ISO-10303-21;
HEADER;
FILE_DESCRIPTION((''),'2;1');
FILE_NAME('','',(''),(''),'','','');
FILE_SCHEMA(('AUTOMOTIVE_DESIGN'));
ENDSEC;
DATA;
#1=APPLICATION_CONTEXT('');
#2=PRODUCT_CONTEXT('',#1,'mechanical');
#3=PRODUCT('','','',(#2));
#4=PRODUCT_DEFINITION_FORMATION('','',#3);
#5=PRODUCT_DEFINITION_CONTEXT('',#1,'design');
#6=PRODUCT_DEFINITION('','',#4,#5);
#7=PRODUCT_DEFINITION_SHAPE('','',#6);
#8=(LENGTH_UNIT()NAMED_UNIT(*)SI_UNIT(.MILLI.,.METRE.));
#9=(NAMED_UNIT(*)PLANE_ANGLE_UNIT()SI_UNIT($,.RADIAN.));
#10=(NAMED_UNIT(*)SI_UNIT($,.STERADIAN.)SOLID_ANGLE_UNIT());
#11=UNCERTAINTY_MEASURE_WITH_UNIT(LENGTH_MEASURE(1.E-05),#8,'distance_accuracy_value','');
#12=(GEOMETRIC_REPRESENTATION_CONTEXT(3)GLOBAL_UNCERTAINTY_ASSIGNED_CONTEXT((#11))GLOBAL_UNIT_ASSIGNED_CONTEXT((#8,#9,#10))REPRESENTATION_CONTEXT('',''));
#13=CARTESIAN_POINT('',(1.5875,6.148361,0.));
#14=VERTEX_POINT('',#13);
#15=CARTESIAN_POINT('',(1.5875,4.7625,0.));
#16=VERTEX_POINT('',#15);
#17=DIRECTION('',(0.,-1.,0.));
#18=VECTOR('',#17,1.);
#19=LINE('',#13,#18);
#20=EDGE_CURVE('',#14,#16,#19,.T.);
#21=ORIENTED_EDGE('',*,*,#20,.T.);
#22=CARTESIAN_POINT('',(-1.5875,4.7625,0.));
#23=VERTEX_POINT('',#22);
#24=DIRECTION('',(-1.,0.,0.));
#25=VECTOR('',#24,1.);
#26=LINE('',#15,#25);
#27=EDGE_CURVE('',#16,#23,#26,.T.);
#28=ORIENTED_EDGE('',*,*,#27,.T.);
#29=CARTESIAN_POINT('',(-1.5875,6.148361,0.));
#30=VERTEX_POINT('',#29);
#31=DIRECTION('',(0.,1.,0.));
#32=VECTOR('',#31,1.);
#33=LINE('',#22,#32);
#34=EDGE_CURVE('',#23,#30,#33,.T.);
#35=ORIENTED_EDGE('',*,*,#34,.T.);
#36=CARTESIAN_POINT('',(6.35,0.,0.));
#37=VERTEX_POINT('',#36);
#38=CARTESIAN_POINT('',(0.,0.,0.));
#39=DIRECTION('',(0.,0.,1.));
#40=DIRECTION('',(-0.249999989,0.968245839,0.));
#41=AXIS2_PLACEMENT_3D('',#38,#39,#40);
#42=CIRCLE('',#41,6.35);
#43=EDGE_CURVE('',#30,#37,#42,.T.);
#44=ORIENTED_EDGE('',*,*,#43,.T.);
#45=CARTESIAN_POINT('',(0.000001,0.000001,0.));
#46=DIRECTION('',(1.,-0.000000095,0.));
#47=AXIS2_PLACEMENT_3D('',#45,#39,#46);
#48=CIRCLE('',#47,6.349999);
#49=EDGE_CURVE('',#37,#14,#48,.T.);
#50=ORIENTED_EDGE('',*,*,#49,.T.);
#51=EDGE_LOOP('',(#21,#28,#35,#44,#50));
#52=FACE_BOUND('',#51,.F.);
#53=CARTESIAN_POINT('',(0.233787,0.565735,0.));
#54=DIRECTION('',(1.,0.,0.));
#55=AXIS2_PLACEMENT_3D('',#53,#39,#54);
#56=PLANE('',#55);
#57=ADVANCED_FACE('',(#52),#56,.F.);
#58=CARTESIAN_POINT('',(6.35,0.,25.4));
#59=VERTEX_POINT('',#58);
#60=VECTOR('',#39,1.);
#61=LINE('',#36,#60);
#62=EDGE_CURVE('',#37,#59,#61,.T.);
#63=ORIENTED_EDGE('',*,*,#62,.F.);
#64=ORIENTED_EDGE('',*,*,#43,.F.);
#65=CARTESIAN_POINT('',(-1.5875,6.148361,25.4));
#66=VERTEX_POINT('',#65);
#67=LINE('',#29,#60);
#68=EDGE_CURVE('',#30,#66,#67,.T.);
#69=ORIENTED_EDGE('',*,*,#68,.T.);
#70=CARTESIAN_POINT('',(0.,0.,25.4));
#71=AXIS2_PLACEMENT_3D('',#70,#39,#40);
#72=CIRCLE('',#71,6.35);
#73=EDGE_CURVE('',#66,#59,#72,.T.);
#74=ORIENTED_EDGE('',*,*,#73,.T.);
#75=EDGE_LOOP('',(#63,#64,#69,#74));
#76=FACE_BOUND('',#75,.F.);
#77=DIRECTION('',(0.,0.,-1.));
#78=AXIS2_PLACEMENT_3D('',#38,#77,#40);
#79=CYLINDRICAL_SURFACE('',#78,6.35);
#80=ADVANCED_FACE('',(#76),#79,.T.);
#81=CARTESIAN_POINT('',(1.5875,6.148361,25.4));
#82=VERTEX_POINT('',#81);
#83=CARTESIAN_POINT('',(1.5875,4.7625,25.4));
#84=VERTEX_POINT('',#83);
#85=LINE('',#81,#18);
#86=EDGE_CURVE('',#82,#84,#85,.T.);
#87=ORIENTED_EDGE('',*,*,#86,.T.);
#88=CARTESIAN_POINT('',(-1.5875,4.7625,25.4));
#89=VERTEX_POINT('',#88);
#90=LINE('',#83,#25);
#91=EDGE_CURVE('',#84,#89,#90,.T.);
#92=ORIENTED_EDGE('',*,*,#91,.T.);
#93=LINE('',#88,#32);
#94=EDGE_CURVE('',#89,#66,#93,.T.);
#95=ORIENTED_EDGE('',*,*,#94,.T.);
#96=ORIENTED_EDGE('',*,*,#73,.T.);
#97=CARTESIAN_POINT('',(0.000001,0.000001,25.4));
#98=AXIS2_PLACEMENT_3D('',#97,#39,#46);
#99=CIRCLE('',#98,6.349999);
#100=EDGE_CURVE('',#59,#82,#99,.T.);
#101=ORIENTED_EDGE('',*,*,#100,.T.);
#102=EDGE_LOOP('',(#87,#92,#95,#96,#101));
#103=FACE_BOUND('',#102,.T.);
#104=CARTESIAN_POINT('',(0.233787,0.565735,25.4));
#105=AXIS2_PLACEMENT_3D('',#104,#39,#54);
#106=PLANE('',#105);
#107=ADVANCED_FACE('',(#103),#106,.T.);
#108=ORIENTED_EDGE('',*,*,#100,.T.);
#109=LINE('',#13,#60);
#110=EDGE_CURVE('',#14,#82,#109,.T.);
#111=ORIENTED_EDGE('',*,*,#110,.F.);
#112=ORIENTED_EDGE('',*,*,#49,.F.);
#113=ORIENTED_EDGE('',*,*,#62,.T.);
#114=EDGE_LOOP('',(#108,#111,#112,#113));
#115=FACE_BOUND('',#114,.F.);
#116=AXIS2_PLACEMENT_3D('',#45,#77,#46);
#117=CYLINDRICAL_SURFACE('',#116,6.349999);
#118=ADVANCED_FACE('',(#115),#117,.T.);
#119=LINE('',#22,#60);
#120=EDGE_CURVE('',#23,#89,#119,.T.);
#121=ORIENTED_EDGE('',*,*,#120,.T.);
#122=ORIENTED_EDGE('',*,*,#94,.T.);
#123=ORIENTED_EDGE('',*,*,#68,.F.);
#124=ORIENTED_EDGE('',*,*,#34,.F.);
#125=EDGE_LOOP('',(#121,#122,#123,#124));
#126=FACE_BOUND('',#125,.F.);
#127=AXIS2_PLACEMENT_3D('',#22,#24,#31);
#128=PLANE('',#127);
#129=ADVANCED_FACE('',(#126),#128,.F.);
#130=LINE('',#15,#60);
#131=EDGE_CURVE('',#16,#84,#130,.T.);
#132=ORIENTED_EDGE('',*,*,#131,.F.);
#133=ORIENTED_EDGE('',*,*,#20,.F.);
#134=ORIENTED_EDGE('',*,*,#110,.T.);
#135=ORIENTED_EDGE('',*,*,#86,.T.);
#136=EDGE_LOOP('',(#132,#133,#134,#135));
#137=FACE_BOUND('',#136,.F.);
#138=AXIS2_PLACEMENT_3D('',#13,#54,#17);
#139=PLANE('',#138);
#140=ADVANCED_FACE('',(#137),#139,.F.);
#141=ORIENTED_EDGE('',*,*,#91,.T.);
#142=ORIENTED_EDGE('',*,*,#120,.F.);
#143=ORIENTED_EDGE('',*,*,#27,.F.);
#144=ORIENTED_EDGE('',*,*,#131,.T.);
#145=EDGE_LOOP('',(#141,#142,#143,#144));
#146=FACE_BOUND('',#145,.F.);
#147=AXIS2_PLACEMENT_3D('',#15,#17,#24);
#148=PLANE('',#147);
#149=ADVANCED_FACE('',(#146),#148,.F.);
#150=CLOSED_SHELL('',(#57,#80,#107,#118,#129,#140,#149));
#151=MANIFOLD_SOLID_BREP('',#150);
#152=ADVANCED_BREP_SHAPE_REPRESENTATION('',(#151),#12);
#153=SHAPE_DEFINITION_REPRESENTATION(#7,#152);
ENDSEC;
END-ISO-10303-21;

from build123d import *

# Parameters (mm, degrees)
F1_DEPTH = 25.4


with BuildPart() as f1:
    # F0 (on Top) → F1 (new body)
    with BuildSketch(Plane.XY):
        with BuildLine():
            ThreePointArc((-1.5875, 6.148361), (-3.888565, -5.020116), (6.35, 0))
            ThreePointArc((6.35, 0), (5.020116, 3.888565), (1.5875, 6.148361))
            Line((1.5875, 6.148361), (1.5875, 4.7625))
            Line((1.5875, 4.7625), (-1.5875, 4.7625))
            Line((-1.5875, 4.7625), (-1.5875, 6.148361))
        make_face()
    extrude(amount=F1_DEPTH)


solid = f1.part
